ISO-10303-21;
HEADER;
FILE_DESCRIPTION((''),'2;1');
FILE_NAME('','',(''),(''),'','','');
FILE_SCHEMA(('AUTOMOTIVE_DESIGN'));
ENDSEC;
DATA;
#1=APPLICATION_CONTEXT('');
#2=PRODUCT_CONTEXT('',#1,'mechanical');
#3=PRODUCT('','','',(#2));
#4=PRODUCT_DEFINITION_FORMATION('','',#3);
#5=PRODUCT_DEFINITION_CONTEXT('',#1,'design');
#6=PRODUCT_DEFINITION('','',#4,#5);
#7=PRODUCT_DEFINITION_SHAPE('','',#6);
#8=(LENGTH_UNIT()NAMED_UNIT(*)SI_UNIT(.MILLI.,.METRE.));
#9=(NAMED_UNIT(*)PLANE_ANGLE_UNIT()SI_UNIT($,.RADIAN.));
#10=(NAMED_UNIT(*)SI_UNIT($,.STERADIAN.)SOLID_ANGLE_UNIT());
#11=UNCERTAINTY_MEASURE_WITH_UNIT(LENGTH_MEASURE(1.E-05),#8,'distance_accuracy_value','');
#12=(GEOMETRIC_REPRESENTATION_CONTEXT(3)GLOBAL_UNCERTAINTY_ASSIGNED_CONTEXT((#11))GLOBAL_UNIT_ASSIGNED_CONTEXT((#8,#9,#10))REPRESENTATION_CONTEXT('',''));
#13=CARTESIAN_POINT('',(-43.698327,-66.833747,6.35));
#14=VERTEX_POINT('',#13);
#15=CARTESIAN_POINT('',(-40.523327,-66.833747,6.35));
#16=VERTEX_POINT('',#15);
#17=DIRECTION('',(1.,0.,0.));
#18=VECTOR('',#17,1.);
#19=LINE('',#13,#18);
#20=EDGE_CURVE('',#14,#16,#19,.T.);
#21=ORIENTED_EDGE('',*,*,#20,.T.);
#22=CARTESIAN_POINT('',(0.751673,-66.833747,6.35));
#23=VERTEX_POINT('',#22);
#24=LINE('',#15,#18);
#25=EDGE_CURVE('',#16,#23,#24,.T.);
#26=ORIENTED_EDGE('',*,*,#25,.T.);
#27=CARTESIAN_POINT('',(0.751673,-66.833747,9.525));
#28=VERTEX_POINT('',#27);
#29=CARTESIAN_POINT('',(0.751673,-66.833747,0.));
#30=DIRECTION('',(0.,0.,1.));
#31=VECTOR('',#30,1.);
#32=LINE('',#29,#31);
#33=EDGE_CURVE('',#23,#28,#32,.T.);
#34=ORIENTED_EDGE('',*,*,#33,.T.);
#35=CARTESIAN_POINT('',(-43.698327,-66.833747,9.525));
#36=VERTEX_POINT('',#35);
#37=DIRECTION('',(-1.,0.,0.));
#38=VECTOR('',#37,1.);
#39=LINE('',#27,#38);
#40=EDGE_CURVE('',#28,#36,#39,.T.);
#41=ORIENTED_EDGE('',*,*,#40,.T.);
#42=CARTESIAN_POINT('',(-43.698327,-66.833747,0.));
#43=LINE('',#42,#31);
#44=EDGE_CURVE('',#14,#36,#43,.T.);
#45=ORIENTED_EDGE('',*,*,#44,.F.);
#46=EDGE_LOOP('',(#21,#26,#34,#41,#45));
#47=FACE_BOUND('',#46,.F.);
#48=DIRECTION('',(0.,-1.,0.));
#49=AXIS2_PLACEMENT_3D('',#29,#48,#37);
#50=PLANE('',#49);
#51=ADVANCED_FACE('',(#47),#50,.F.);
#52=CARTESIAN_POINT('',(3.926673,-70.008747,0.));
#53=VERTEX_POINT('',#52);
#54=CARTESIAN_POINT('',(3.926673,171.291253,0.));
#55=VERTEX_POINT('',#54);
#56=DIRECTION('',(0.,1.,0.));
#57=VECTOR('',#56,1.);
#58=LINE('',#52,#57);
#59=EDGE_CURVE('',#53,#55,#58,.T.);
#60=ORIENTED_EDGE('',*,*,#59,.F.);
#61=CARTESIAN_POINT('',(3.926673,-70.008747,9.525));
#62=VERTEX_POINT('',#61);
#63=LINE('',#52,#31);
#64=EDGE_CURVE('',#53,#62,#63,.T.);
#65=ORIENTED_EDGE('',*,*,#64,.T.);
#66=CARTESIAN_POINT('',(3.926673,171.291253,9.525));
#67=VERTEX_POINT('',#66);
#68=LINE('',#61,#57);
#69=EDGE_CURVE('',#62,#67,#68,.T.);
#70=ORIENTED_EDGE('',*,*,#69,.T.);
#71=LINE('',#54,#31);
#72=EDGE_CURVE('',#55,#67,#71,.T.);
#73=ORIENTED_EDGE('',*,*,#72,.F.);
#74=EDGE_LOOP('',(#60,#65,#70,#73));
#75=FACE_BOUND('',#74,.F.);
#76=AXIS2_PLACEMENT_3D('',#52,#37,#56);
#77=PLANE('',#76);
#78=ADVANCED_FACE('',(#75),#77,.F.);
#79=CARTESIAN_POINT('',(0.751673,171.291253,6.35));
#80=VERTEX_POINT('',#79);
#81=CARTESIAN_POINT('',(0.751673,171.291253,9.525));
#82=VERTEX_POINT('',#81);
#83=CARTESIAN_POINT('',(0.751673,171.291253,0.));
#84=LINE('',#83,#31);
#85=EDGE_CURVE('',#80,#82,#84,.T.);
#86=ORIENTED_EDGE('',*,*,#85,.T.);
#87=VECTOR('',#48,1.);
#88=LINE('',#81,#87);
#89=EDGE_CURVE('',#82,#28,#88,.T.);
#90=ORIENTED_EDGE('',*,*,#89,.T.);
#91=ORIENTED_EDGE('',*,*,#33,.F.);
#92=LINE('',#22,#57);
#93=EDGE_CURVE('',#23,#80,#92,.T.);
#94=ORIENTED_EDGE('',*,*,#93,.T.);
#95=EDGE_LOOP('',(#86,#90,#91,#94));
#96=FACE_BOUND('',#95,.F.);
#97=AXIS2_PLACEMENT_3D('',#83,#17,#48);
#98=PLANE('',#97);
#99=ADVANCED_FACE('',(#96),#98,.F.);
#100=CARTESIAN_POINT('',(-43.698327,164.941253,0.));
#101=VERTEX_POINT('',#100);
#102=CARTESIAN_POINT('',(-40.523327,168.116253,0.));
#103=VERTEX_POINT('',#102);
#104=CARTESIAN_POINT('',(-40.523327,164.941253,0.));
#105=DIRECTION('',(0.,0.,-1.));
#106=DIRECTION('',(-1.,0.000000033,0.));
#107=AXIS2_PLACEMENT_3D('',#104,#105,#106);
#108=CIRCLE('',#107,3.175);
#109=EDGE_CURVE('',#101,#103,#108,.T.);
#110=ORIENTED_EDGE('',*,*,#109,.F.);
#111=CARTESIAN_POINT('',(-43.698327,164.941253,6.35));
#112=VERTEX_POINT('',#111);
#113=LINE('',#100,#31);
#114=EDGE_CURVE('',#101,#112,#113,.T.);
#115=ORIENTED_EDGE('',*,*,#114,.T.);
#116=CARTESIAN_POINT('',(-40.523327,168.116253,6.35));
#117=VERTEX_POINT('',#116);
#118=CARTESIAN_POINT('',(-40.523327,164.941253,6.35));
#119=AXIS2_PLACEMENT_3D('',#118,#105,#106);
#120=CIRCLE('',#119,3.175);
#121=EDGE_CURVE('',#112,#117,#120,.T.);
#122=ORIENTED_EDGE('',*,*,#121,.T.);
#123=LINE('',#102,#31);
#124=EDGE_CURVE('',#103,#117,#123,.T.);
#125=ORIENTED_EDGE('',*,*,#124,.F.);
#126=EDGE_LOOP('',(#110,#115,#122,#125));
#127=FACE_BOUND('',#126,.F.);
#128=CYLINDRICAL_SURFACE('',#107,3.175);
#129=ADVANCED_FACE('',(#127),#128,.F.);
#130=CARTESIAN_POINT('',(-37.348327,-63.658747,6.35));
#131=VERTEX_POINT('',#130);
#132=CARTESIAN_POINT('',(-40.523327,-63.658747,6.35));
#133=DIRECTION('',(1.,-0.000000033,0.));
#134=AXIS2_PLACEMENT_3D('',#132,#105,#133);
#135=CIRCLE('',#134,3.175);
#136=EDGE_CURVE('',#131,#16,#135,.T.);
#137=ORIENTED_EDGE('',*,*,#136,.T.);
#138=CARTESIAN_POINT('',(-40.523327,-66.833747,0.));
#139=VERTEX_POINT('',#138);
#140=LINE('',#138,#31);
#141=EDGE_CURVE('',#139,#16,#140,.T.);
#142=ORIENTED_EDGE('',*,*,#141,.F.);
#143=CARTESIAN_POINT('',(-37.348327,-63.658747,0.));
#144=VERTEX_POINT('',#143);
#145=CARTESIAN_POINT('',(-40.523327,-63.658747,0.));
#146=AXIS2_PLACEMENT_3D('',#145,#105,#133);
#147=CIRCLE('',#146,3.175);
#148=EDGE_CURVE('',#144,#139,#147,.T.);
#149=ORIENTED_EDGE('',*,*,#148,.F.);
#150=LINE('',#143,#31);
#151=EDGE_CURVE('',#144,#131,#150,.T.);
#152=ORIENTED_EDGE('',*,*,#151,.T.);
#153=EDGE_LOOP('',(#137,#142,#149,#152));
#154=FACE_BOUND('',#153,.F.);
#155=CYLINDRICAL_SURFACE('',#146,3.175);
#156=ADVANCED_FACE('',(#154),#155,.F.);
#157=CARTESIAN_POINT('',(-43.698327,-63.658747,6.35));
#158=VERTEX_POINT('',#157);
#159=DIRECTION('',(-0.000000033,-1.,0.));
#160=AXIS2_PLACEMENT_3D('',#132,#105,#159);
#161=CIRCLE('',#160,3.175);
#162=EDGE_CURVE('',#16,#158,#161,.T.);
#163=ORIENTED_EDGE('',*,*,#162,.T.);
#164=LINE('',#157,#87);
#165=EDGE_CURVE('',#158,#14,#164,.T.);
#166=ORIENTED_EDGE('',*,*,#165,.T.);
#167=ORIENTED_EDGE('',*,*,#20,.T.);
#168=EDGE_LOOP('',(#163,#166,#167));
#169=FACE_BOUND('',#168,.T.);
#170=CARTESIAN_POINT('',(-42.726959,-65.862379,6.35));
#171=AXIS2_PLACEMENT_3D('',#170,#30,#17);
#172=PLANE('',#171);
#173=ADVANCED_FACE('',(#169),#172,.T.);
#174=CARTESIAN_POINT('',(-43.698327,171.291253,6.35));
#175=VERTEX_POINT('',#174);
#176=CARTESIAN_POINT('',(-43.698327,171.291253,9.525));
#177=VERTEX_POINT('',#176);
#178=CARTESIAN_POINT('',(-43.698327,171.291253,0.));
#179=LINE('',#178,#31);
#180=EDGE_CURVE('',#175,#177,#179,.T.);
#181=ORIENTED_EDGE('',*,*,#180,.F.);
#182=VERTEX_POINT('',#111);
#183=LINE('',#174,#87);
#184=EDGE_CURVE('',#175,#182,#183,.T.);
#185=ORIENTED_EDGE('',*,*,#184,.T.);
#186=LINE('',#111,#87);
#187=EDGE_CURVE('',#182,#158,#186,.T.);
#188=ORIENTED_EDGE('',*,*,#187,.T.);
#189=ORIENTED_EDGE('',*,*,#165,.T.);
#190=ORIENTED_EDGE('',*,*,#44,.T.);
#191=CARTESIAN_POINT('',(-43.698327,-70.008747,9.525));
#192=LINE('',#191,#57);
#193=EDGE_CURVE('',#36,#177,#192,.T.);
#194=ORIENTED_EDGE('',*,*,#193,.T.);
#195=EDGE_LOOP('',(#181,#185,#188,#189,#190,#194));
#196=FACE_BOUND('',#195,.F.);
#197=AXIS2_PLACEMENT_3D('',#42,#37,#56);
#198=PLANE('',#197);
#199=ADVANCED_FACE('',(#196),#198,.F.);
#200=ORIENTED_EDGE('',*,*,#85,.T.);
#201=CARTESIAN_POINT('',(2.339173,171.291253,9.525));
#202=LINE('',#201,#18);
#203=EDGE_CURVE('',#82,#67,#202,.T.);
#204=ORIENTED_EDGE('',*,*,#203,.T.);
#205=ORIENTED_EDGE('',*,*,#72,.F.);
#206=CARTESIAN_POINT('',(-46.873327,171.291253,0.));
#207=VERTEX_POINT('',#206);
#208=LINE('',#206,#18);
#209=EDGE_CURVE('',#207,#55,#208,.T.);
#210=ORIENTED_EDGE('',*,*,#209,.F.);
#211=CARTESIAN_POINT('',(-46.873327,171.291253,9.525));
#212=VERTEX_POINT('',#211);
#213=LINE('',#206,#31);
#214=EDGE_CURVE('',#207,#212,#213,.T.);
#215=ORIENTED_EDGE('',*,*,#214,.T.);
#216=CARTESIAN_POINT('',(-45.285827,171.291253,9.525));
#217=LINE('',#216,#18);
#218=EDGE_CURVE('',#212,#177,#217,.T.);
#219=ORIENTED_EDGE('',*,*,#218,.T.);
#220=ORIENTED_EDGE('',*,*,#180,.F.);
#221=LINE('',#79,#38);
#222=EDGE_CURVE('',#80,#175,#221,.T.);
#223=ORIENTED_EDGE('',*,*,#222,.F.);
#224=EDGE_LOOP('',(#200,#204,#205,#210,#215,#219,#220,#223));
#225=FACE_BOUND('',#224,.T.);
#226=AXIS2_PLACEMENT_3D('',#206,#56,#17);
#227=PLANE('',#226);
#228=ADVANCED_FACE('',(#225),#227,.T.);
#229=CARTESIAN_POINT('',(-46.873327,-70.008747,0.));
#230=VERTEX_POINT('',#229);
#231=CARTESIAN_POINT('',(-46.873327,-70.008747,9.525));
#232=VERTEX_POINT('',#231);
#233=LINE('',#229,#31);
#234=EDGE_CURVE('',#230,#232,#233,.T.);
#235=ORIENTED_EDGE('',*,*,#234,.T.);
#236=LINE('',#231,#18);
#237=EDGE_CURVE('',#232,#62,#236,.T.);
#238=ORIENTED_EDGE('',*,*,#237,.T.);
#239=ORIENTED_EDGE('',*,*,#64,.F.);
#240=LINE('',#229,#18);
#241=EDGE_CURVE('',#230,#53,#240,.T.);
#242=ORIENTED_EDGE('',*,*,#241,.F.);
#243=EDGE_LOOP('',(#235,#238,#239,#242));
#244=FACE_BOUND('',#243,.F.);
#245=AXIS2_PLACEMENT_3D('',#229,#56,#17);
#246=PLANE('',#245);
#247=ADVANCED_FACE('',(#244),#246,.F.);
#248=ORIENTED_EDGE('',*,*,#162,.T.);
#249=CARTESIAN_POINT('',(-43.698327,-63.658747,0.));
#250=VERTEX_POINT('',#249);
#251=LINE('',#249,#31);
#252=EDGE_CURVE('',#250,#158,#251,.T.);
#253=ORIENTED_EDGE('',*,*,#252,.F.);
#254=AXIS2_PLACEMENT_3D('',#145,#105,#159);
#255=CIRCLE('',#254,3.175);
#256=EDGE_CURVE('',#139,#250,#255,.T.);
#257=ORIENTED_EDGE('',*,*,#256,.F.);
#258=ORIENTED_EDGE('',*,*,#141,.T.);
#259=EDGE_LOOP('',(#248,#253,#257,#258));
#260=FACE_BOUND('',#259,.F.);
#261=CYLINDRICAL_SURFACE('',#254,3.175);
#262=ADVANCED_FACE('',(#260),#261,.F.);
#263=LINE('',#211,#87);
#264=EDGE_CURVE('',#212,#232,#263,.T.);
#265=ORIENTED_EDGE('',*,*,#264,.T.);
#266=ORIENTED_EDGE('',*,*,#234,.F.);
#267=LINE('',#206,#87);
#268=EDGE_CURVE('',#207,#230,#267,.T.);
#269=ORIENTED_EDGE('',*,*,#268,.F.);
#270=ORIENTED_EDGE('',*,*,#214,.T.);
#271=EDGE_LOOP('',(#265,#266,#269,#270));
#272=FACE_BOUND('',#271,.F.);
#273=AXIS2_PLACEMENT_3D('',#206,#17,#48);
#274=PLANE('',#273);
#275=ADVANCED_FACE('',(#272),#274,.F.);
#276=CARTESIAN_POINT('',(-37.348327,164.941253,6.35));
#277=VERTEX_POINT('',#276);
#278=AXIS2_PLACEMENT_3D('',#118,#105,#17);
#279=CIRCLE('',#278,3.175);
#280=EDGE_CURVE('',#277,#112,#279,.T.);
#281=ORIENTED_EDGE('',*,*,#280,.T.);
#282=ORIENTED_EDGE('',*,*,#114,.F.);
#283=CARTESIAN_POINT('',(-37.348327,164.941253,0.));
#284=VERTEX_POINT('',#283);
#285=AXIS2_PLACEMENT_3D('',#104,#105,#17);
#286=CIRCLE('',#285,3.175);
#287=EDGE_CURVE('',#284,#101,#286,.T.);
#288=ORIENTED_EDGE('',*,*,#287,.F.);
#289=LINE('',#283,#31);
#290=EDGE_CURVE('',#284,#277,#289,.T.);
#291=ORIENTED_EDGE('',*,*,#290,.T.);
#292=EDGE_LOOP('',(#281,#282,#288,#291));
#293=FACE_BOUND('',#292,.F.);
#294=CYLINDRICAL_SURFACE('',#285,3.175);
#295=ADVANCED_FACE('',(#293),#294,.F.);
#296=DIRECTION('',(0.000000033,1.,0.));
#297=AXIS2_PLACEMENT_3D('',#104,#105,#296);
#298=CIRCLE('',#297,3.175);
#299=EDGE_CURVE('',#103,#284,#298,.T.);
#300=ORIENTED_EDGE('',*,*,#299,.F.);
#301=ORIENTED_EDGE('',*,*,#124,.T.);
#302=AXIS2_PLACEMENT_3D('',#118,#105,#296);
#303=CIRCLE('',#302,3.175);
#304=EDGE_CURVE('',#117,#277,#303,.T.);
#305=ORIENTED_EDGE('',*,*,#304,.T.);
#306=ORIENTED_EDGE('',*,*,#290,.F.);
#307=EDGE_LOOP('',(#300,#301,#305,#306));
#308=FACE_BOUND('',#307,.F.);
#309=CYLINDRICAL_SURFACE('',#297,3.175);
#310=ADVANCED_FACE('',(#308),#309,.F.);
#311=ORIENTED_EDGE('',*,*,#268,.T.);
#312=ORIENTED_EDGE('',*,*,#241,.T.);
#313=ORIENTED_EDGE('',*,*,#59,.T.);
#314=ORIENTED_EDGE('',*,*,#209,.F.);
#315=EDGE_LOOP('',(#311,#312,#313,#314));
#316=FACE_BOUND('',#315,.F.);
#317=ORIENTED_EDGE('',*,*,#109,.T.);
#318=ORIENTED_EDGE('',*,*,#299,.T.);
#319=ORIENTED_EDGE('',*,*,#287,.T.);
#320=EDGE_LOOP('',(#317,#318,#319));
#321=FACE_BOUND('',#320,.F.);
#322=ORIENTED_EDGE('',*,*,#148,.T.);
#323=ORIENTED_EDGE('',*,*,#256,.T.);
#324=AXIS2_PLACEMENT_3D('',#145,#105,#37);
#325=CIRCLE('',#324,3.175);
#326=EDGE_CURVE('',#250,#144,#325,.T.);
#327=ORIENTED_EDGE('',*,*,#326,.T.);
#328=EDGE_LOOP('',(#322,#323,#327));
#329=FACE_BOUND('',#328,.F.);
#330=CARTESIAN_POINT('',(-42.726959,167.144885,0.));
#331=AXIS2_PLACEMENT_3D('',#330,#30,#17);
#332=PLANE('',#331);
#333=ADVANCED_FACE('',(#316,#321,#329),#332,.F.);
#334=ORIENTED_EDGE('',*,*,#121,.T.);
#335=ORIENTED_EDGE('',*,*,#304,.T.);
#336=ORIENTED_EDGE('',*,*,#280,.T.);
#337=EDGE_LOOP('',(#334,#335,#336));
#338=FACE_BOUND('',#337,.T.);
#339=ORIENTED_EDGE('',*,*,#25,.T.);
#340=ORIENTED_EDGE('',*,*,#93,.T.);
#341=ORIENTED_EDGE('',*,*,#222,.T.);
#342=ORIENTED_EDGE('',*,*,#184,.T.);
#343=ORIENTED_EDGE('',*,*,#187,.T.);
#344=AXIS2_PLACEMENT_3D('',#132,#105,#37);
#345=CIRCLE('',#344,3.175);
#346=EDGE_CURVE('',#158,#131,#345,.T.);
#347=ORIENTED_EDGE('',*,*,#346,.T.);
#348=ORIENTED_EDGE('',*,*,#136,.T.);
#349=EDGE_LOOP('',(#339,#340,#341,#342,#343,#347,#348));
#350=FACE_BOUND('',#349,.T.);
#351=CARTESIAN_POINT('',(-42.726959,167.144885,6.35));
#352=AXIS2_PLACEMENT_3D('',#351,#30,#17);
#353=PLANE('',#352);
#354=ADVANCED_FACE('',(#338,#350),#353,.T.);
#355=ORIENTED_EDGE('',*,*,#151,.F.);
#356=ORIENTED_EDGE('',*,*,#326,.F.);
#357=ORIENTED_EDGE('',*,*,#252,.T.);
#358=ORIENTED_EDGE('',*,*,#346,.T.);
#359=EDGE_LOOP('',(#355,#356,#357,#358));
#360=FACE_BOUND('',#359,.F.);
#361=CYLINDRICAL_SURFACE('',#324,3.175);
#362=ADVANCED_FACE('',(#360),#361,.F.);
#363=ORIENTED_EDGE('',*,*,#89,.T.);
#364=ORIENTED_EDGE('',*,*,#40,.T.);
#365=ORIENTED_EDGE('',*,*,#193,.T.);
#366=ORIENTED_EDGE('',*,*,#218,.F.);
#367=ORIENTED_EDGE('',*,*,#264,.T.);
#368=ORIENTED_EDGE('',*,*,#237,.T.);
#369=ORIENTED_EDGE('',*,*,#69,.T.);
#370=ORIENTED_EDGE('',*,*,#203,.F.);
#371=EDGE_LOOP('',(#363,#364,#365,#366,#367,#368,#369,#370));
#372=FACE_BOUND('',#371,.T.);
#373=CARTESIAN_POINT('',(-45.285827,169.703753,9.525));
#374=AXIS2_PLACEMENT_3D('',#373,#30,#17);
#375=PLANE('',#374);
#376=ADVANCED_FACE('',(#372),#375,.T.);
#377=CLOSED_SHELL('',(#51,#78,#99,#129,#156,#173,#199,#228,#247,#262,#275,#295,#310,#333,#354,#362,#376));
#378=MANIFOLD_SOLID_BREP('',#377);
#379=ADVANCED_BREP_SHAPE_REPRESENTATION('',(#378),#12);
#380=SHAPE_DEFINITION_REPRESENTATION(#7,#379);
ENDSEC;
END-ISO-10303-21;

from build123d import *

# Parameters (mm, degrees)
F0_W     = 3.175
F0_H     = 3.175
F0_H_2   = 234.95
F1_DEPTH = 9.525
F2_DEPTH = 6.35
F3_DEPTH = 6.35


with BuildPart() as f1:
    # F0 (on Top) → F1 (new body)
    with BuildSketch(Plane.XY):
        with Locations((-45.285827, 169.703753)):
            Rectangle(F0_W, F0_H)
        Polygon((-43.698327, 168.116253), (-46.873327, 168.116253), (-46.873327, 158.591253), (-46.873327, -57.308747), (-46.873327, -66.833747), (-43.698327, -66.833747), (-43.698327, -63.658747), (-43.698327, 164.941253), align=None)
        with Locations((2.339173, 169.703753)):
            Rectangle(F0_W, F0_H)
        with Locations((2.339173, 50.641253)):
            Rectangle(F0_W, F0_H_2)
        with Locations((-45.285827, -68.421247)):
            Rectangle(F0_W, F0_H)
        Polygon((0.751673, -70.008747), (0.751673, -66.833747), (-40.523327, -66.833747), (-43.698327, -66.833747), (-43.698327, -70.008747), (-34.173327, -70.008747), align=None)
        with Locations((2.339173, -68.421247)):
            Rectangle(F0_W, F0_H)
    extrude(amount=F1_DEPTH)

    # F0 (on Top) → F2 (join)
    with BuildSketch(Plane.XY):
        with BuildLine():
            ThreePointArc((-37.348327, 164.941253), (-40.523327, 161.766253), (-43.698327, 164.941253))
            Line((-43.698327, 164.941253), (-43.698327, -63.658747))
            ThreePointArc((-43.698327, -63.658747), (-40.523327, -60.483747), (-37.348327, -63.658747))
            ThreePointArc((-37.348327, -63.658747), (-38.278263, -65.903811), (-40.523327, -66.833747))
            Line((-40.523327, -66.833747), (0.751673, -66.833747))
            Line((0.751673, -66.833747), (0.751673, 168.116253))
            Line((0.751673, 168.116253), (-40.523327, 168.116253))
            ThreePointArc((-40.523327, 168.116253), (-38.278263, 167.186317), (-37.348327, 164.941253))
        make_face()
        Polygon((-34.173327, 171.291253), (-43.698327, 171.291253), (-43.698327, 168.116253), (-40.523327, 168.116253), (0.751673, 168.116253), (0.751673, 171.291253), align=None)
    extrude(amount=F2_DEPTH)

    # F0 (on Top) → F3 (join)
    with BuildSketch(Plane.XY):
        with BuildLine():
            Line((-40.523327, 168.116253), (-43.698327, 168.116253))
            Line((-43.698327, 168.116253), (-43.698327, 164.941253))
            ThreePointArc((-43.698327, 164.941253), (-42.768391, 167.186317), (-40.523327, 168.116253))
        make_face()
        with BuildLine():
            ThreePointArc((-40.523327, -66.833747), (-42.768391, -65.903811), (-43.698327, -63.658747))
            Line((-43.698327, -63.658747), (-43.698327, -66.833747))
            Line((-43.698327, -66.833747), (-40.523327, -66.833747))
        make_face()
    extrude(amount=F3_DEPTH)


solid = f1.part
